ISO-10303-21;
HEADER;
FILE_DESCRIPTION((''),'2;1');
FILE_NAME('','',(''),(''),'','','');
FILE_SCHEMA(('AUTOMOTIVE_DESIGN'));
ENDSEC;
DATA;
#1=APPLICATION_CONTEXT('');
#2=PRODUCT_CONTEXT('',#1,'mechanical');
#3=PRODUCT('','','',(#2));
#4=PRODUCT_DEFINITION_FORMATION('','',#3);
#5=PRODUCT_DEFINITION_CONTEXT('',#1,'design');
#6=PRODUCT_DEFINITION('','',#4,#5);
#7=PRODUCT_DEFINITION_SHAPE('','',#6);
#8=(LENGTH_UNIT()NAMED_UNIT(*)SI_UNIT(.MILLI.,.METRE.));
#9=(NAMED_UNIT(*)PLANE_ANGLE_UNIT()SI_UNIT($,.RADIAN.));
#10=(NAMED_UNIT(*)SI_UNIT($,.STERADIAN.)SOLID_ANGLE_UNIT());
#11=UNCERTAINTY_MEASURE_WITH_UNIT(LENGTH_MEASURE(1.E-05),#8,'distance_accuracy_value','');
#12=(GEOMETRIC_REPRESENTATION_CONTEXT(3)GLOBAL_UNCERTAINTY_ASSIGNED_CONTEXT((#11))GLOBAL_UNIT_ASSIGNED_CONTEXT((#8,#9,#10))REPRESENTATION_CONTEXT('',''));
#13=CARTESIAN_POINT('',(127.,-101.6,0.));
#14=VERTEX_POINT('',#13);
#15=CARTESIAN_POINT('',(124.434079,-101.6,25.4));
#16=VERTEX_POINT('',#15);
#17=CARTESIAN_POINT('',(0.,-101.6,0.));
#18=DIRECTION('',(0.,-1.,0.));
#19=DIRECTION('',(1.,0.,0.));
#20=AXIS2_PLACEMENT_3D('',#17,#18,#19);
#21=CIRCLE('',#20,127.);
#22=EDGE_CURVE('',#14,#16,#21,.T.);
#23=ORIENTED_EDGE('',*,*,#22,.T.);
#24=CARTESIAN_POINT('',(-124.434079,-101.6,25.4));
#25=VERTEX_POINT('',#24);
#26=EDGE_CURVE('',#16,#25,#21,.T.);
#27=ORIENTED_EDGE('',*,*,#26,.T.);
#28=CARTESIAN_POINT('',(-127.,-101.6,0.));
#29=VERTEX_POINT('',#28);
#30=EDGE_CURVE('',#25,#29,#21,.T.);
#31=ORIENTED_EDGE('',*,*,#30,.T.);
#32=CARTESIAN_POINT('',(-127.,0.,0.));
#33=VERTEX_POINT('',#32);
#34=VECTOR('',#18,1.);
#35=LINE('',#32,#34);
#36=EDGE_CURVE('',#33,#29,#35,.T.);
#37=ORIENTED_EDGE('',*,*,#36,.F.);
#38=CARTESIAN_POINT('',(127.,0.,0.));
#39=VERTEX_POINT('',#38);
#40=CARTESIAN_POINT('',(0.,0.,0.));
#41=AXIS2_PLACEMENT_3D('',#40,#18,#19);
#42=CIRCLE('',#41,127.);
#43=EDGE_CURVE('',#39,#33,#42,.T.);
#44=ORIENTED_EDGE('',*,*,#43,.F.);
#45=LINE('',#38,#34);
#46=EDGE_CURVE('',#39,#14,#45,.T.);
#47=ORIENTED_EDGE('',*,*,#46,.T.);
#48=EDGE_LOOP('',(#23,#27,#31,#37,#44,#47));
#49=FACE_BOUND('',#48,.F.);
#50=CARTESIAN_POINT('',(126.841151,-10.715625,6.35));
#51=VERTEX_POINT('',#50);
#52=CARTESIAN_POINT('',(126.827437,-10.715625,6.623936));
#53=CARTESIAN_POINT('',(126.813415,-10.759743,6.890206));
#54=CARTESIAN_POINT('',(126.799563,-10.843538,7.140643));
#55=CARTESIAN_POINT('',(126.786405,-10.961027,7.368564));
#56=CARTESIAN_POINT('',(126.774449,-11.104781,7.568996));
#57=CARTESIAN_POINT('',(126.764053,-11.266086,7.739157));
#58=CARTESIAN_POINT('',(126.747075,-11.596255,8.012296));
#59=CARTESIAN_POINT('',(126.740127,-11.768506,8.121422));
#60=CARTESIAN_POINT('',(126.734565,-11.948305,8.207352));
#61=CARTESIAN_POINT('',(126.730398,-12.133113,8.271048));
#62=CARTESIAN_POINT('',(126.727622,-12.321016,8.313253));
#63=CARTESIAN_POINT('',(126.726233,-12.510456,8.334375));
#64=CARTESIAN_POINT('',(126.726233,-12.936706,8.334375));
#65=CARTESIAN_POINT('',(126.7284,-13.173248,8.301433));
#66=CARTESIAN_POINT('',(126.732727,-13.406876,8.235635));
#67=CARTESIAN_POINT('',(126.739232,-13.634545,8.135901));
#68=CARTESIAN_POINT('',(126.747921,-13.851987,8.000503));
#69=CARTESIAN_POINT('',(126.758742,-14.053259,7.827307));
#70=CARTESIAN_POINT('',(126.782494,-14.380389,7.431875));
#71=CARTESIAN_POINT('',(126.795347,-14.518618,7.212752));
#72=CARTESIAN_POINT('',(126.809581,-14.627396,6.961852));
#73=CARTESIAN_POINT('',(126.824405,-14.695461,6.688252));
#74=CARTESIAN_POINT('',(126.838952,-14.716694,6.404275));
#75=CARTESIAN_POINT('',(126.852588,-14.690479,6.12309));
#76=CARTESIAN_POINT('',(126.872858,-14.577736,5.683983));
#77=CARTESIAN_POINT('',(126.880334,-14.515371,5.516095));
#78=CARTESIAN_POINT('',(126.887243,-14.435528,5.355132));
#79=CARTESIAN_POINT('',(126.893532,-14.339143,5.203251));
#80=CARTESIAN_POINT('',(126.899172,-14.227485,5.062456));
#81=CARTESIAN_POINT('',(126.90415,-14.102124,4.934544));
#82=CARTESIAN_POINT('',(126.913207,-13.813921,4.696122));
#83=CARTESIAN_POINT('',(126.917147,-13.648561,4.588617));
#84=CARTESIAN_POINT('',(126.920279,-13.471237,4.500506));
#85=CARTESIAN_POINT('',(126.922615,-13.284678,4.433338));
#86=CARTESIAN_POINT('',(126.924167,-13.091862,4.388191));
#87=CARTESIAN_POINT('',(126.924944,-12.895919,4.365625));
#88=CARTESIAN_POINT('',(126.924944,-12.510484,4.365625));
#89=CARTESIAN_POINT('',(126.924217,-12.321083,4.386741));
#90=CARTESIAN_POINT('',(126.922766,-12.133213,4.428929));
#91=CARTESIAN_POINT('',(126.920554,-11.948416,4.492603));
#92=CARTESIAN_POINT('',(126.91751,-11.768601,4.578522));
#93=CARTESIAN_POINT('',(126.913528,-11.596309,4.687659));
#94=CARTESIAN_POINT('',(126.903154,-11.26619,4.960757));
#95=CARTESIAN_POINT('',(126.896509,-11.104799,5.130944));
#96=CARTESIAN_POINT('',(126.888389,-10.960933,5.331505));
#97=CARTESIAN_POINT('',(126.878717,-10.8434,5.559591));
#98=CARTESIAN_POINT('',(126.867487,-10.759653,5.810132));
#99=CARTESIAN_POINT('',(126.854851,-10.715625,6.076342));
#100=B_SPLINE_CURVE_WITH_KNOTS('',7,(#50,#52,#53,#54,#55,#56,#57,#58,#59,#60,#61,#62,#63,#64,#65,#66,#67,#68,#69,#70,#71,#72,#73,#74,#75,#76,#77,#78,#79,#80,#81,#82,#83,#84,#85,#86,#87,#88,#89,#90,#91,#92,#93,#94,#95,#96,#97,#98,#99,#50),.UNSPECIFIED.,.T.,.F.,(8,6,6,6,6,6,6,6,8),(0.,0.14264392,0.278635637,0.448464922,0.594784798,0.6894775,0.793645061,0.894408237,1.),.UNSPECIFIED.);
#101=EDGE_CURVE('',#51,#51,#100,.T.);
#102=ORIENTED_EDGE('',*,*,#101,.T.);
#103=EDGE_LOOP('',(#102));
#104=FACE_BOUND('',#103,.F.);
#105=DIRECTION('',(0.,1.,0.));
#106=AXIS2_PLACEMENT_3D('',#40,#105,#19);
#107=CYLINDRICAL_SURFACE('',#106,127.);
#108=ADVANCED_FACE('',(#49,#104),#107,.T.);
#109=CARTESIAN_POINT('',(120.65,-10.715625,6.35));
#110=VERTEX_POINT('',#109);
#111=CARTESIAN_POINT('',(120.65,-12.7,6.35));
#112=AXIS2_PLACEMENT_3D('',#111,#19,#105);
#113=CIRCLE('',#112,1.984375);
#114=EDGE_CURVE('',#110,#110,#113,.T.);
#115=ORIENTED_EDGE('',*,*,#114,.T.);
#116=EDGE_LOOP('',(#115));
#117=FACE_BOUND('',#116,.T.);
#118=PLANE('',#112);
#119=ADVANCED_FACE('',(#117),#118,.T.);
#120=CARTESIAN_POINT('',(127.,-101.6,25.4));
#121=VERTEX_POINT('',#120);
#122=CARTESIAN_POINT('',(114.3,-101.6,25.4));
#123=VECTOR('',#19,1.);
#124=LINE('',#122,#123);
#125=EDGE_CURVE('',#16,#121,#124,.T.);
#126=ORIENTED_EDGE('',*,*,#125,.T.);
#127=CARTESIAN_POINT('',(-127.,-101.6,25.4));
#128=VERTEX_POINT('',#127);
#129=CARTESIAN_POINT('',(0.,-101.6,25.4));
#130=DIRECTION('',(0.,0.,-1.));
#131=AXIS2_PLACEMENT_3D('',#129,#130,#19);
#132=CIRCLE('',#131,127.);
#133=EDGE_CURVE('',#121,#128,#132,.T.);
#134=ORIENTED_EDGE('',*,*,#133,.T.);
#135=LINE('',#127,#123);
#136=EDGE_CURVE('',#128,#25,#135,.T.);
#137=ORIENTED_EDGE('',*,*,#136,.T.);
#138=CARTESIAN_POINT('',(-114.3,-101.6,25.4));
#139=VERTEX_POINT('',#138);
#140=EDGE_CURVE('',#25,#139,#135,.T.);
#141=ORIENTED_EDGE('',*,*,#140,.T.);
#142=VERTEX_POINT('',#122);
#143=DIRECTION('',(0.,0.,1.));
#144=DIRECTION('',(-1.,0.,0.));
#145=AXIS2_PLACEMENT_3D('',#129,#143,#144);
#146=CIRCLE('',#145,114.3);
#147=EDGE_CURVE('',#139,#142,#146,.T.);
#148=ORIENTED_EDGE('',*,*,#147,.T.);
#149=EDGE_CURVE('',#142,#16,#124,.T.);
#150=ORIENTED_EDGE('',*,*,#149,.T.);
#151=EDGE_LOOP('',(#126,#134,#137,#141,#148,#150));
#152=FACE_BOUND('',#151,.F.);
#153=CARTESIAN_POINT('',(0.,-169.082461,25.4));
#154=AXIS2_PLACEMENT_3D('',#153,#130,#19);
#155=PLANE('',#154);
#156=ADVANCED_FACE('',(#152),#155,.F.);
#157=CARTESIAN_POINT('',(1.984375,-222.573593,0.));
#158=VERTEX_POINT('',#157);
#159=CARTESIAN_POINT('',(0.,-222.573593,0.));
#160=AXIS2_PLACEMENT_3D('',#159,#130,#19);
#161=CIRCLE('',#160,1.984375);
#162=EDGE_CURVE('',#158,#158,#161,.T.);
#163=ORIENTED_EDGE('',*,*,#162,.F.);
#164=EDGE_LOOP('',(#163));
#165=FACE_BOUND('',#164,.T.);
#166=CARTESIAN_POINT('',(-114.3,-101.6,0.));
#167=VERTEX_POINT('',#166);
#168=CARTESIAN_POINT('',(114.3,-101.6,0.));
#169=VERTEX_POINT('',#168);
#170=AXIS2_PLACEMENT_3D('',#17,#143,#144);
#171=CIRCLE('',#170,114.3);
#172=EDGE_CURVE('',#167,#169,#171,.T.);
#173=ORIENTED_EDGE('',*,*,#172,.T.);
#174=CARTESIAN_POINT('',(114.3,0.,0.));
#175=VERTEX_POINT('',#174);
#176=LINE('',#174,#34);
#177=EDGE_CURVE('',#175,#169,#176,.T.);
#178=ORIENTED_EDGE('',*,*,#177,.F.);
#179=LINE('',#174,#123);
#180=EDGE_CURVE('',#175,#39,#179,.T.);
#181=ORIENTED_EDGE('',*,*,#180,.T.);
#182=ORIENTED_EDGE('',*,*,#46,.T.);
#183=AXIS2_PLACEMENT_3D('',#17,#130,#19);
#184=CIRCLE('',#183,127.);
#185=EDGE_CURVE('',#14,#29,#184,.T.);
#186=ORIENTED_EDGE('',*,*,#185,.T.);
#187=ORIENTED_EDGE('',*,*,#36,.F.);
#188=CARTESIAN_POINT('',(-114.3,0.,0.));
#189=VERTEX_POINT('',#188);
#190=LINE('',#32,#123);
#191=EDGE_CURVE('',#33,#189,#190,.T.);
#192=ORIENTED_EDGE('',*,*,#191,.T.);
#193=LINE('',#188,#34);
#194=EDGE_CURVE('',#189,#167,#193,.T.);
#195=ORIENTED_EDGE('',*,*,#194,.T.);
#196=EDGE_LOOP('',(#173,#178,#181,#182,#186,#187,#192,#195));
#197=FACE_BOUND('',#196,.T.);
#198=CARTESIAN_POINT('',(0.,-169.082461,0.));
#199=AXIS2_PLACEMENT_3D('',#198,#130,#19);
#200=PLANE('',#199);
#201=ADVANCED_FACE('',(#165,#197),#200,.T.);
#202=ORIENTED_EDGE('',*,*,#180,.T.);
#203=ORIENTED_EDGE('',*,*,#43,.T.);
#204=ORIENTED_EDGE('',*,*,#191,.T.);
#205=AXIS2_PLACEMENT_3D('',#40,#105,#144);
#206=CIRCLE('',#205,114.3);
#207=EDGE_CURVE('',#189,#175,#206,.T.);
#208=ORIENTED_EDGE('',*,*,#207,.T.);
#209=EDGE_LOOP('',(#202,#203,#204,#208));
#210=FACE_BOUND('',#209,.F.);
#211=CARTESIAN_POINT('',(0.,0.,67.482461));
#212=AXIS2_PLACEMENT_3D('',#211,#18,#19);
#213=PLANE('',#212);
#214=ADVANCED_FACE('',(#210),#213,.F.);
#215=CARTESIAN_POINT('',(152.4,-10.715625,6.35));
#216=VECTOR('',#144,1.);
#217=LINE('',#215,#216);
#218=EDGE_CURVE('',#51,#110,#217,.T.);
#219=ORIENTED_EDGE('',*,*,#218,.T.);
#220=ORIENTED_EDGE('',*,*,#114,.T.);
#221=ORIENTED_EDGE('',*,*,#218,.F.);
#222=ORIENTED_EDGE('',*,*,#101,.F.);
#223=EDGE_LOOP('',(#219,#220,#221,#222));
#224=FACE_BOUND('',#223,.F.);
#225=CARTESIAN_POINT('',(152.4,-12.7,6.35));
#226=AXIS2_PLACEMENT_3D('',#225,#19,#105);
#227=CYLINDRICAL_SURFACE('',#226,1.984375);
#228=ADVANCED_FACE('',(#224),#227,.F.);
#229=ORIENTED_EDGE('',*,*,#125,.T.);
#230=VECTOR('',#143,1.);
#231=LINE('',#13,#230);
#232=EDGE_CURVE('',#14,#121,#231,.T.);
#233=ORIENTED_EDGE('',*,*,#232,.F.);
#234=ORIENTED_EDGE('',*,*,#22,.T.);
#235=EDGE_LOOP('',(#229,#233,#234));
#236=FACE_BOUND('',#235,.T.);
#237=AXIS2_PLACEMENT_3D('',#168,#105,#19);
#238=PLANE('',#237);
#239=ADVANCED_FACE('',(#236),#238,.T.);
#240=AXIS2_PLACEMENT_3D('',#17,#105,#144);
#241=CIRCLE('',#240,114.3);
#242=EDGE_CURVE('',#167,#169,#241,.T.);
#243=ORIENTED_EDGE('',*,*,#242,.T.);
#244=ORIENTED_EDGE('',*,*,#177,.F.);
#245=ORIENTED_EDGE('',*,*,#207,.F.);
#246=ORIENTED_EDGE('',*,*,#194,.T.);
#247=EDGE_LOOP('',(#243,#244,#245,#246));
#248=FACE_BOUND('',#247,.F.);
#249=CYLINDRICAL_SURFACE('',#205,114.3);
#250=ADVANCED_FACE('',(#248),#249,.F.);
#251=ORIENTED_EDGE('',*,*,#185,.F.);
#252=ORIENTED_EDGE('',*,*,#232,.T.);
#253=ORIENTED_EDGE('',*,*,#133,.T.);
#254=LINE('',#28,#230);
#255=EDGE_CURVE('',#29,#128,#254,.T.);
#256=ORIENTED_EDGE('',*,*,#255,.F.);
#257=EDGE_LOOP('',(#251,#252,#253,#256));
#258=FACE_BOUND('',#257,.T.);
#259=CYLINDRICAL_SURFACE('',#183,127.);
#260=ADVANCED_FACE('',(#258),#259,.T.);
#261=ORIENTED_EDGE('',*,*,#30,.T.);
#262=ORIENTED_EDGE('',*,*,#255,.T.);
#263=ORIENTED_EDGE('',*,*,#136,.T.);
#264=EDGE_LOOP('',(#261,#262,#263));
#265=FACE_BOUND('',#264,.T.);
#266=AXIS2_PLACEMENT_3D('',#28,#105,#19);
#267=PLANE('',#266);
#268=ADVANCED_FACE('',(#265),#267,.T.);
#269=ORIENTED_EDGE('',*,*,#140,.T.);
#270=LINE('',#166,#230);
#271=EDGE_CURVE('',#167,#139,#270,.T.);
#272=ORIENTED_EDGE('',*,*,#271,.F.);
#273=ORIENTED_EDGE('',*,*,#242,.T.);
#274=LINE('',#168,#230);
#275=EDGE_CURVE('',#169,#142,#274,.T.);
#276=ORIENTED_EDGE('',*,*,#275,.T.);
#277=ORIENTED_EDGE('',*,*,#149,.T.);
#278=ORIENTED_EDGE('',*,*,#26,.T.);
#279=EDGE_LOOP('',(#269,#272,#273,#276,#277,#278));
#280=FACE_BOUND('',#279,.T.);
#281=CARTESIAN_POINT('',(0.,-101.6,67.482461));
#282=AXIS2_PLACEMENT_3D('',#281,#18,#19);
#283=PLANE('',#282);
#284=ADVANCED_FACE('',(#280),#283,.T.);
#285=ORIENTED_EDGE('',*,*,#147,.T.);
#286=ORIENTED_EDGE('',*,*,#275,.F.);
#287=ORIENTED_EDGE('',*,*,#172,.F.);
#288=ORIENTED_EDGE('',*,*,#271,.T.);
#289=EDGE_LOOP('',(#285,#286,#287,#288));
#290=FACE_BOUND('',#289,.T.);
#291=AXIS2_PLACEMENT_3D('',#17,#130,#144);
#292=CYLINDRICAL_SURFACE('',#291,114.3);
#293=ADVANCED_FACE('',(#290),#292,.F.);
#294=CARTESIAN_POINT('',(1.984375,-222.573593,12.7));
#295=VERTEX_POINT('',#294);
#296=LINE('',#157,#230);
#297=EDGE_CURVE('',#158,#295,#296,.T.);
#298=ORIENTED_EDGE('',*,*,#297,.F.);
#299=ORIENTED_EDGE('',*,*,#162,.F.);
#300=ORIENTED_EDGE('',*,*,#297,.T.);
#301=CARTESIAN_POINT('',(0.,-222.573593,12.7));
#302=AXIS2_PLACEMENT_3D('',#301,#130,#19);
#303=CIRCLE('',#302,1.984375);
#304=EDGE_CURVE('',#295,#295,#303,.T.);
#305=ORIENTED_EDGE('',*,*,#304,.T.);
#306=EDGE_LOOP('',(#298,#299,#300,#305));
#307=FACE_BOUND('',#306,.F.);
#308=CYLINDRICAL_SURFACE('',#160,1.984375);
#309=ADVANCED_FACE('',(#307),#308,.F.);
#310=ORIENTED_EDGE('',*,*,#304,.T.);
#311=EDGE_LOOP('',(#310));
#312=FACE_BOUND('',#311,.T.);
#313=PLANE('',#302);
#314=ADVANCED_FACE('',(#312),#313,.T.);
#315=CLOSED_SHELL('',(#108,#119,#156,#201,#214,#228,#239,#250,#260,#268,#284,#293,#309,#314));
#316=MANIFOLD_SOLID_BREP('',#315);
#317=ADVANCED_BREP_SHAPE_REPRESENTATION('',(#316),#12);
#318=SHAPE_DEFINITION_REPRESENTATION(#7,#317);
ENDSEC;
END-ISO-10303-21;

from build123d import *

# Parameters (mm, degrees)
F1_DEPTH = 101.6
F3_R     = 1.984375
F4_DEPTH = 25.4
F6_R     = 1.984375
F7_DEPTH = 31.75
F8_DEPTH = 25.4
F9_DEPTH = 12.7


with BuildPart() as f1:
    # F0 (on Front) → F1 (new body)
    with BuildSketch(Plane.XZ):
        with BuildLine():
            Line((114.3, 0), (127, 0))
            ThreePointArc((127, 0), (0, 127), (-127, 0))
            Line((-127, 0), (-114.3, 0))
            ThreePointArc((-114.3, 0), (0, 114.3), (114.3, 0))
        make_face()
    extrude(amount=F1_DEPTH)

    # F3 (on face) → F4 (cut)
    with BuildSketch(Plane(origin=(0, 0, 0), x_dir=(1, 0, 0), z_dir=(0, 0, -1))):
        with Locations((0, 222.573593)):
            Circle(F3_R)
    extrude(amount=-F4_DEPTH, mode=Mode.SUBTRACT)

    # F6 (on offset) → F7 (cut)
    with BuildSketch(Plane.YZ.offset(152.4)):
        with Locations((-12.7, 6.35)):
            Circle(F6_R)
    extrude(amount=-F7_DEPTH, mode=Mode.SUBTRACT)

    # F2 (on face) → F8 (join)
    with BuildSketch(Plane(origin=(0, 0, 0), x_dir=(1, 0, 0), z_dir=(0, 0, -1))):
        with BuildLine():
            ThreePointArc((-114.3, 101.6), (0, 215.9), (114.3, 101.6))
            Line((114.3, 101.6), (127, 101.6))
            ThreePointArc((127, 101.6), (0, 228.6), (-127, 101.6))
            Line((-127, 101.6), (-114.3, 101.6))
        make_face()
    extrude(amount=-F8_DEPTH)

    # F3 (on face) → F9 (cut)
    with BuildSketch(Plane(origin=(0, 0, 0), x_dir=(1, 0, 0), z_dir=(0, 0, -1))):
        with Locations((0, 222.573593)):
            Circle(F3_R)
    extrude(amount=-F9_DEPTH, mode=Mode.SUBTRACT)


solid = f1.part
